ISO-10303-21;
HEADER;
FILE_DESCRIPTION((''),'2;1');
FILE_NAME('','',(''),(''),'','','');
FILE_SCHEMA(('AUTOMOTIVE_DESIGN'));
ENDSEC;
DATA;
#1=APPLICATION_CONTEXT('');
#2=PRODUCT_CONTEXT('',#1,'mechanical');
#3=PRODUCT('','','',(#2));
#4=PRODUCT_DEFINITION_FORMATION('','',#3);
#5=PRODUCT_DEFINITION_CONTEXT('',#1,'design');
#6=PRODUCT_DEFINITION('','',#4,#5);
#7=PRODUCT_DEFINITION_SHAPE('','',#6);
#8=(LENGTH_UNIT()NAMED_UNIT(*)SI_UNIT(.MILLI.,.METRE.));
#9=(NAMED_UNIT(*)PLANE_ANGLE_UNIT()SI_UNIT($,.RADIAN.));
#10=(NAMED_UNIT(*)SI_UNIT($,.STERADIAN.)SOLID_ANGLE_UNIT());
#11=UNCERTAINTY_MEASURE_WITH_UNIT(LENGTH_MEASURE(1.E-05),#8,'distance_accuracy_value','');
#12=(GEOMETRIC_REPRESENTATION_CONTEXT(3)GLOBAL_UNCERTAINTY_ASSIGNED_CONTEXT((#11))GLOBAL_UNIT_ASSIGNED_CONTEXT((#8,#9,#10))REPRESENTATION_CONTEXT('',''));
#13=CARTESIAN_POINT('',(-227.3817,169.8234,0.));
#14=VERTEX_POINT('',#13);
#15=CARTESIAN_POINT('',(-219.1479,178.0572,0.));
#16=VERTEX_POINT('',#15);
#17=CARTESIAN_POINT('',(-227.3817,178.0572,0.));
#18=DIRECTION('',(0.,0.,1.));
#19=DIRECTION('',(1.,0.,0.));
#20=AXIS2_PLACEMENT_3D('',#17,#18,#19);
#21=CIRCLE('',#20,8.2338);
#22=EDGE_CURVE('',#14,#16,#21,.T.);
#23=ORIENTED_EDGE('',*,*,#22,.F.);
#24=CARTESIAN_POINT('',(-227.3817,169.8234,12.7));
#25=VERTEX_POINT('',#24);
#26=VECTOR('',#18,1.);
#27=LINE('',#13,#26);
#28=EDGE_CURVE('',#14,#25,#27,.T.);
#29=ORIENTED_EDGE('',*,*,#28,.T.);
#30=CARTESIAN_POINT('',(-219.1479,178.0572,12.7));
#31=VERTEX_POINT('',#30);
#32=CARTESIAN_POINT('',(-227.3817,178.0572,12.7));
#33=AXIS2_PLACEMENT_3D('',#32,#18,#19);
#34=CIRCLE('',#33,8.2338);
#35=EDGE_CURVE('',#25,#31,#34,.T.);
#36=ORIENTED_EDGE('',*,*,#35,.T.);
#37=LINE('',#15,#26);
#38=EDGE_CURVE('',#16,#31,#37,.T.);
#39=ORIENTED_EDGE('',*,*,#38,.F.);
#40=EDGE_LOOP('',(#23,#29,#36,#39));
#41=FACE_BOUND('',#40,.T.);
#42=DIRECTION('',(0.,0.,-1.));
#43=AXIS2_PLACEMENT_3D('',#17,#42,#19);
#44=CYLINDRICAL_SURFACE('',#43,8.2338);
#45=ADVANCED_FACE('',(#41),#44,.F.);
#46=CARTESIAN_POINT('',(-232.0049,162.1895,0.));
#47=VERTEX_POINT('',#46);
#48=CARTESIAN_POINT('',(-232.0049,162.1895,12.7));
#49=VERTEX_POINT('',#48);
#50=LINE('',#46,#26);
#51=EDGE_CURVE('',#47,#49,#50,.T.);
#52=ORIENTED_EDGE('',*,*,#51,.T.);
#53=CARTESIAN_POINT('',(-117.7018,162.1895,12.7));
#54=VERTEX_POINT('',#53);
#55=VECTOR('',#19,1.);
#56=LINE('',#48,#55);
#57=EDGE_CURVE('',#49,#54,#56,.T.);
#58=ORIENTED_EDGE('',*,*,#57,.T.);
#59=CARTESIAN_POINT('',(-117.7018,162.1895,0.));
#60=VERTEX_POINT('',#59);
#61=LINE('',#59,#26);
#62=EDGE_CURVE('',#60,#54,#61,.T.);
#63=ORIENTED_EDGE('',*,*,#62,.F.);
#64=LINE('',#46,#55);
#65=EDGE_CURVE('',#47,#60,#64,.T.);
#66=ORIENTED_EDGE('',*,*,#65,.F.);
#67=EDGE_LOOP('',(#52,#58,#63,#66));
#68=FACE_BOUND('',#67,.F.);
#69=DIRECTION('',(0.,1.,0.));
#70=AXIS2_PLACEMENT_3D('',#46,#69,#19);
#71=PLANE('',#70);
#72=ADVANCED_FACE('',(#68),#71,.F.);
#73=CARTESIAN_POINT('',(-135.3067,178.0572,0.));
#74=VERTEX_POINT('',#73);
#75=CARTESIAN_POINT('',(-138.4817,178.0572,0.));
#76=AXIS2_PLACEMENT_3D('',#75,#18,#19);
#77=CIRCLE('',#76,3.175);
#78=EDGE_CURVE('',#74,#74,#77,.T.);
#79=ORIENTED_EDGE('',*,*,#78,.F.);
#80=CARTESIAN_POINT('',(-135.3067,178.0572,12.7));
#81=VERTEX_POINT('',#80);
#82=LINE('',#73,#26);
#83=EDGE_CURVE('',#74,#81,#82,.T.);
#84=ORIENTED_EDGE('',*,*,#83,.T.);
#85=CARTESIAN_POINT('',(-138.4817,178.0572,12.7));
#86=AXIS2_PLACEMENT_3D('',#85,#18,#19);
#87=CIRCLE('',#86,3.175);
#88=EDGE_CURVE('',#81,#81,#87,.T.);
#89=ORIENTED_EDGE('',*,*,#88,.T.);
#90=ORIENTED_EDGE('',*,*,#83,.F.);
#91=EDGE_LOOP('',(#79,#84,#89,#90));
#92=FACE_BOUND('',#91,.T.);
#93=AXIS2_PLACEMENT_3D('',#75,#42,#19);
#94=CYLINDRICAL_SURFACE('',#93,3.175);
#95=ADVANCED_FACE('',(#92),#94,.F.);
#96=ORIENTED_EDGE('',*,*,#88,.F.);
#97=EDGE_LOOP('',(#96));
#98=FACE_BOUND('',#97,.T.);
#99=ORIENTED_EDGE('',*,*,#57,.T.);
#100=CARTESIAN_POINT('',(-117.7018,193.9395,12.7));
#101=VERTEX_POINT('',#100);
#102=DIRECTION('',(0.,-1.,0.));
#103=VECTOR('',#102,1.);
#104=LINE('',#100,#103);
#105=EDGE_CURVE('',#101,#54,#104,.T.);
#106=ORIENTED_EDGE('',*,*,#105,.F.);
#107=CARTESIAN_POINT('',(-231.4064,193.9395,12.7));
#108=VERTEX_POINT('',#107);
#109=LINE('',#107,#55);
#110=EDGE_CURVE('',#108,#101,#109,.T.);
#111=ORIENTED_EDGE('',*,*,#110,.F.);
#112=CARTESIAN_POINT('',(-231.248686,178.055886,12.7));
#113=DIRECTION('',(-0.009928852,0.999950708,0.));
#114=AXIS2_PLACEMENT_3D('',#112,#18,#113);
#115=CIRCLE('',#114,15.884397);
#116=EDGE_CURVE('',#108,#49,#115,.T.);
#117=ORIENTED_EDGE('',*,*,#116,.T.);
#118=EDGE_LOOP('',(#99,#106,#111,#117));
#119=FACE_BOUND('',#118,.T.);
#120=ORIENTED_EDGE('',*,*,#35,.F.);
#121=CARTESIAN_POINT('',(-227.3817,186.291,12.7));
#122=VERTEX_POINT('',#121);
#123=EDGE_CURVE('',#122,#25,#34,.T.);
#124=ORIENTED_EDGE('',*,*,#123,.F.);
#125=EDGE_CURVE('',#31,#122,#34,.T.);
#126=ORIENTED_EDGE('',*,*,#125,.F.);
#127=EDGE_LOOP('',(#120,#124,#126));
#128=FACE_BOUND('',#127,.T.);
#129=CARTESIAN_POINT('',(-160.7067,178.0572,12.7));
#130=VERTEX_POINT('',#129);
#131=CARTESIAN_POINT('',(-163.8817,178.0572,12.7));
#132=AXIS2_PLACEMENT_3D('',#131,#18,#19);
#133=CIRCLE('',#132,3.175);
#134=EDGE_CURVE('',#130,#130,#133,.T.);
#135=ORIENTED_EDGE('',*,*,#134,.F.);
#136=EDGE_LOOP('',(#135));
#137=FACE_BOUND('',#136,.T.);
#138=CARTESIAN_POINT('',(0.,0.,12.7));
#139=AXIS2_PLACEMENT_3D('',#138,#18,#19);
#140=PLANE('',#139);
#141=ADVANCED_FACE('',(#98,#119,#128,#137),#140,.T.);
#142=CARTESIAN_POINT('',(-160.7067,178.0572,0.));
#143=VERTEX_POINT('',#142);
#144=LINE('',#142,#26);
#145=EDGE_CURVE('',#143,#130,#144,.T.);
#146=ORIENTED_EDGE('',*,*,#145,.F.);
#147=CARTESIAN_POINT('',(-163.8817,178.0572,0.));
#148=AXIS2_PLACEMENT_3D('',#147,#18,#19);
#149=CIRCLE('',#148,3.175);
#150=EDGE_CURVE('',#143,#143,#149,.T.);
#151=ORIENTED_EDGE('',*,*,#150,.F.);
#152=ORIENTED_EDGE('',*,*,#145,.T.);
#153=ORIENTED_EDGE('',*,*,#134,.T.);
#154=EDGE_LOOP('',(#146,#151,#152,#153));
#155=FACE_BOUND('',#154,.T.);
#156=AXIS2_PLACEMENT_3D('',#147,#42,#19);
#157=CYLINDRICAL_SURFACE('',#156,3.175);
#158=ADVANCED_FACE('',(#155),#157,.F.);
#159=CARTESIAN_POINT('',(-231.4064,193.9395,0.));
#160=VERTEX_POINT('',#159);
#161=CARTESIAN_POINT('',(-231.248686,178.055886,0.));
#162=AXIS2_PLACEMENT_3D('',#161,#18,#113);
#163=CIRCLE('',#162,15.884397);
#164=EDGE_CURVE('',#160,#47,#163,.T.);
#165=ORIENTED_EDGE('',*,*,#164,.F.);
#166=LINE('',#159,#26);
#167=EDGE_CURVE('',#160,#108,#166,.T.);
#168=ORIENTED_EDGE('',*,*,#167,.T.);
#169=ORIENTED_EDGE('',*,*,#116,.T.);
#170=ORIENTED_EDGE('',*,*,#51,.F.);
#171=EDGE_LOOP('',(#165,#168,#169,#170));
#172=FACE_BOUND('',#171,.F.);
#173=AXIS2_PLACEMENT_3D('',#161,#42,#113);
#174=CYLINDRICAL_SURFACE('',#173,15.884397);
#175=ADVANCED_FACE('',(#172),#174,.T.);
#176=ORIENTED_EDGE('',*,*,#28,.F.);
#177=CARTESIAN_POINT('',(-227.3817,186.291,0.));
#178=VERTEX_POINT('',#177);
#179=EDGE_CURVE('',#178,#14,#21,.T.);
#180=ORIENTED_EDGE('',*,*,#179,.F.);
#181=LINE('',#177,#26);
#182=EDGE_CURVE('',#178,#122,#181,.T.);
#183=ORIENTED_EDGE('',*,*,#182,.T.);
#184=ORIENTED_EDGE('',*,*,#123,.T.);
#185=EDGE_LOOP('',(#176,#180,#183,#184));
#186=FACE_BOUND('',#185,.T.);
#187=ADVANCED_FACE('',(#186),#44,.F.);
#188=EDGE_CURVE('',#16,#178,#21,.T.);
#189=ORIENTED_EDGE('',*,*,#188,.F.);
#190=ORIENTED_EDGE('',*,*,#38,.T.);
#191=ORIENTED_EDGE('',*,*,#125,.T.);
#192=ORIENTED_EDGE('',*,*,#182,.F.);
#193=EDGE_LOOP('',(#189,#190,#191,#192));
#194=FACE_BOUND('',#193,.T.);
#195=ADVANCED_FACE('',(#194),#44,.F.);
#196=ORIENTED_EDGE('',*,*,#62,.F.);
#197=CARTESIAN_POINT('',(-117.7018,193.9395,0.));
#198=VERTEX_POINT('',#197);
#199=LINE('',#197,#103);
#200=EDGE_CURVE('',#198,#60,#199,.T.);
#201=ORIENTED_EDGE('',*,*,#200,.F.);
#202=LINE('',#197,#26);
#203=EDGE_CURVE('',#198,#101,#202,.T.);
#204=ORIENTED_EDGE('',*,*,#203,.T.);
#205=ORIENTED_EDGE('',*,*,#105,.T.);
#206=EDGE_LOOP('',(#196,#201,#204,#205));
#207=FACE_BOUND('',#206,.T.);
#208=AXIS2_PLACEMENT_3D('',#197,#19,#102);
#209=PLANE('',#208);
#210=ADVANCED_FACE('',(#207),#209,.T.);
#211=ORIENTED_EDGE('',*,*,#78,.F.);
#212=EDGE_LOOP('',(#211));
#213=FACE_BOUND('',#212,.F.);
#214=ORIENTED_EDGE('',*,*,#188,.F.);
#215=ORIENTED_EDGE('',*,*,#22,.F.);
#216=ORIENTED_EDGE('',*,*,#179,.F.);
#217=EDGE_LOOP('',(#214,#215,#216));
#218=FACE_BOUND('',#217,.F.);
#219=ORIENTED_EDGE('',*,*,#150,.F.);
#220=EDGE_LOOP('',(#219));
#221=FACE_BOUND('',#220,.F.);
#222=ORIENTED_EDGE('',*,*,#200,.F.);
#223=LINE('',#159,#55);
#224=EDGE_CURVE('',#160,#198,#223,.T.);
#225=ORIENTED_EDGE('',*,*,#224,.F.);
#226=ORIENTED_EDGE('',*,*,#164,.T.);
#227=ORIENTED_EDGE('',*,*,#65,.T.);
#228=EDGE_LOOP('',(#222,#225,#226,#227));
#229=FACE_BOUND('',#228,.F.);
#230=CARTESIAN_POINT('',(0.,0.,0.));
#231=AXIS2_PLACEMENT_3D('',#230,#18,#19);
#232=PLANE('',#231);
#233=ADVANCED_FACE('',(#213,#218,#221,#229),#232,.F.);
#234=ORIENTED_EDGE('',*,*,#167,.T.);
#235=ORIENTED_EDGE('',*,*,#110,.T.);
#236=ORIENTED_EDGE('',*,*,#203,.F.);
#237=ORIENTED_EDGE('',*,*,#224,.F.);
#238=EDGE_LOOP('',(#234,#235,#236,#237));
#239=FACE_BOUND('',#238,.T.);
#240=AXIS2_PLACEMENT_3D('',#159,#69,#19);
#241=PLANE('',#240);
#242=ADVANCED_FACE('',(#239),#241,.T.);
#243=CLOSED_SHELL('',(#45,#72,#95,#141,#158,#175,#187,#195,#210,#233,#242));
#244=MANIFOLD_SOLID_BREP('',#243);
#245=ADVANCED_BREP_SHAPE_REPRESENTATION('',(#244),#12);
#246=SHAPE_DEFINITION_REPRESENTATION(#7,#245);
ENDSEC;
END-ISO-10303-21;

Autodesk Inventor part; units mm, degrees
ref_plane "YZ Plane" through (0, 0, 0) normal (1, 0, 0) x (0, 1, 0)
ref_plane "XZ Plane" through (0, 0, 0) normal (0, 1, 0) x (-1, 0, 0)
ref_plane "XY Plane" through (0, 0, 0) normal (0, 0, 1) x (1, 0, 0)
sketch "Sketch1" plane through (0, 0, 0) normal (0, 0, 1) x (1, 0, 0)
  circle A0 centre (-138.4817, 178.0572) radius 3.175
  circle A1 centre (-163.8817, 178.0572) radius 3.175
  ellipse E0 centre (-227.3817, 178.0572) end of major axis (-227.3817, 186.291) minor radius 8.1705
  line L0 (-232.0049, 162.186) -> (-232.0049, 162.1895)
  line L1 (-232.0049, 193.9286) -> (-232.0049, 193.9322)
  arc A2 (-231.4064, 193.9395) -> (-232.0049, 162.1895) centre (-231.2487, 178.0559) ccw
  line L2 (-231.4064, 193.9395) -> (-117.7018, 193.9395)
  line L3 (-232.0049, 162.1895) -> (-117.7018, 162.1895)
  line L4 (-117.7018, 193.9395) -> (-117.7018, 162.1895)
  circle A3 centre (-163.8817, 178.0572) radius 3.175
  circle A4 centre (-138.4817, 178.0572) radius 3.175
  circle A5 centre (-227.3817, 178.0572) radius 8.2338
  point P0 (0, 0)
extrude "Extrusion1" add sketch "Sketch1" along normal blind 12.7
properties part number "bearing holder (treadmill)"
